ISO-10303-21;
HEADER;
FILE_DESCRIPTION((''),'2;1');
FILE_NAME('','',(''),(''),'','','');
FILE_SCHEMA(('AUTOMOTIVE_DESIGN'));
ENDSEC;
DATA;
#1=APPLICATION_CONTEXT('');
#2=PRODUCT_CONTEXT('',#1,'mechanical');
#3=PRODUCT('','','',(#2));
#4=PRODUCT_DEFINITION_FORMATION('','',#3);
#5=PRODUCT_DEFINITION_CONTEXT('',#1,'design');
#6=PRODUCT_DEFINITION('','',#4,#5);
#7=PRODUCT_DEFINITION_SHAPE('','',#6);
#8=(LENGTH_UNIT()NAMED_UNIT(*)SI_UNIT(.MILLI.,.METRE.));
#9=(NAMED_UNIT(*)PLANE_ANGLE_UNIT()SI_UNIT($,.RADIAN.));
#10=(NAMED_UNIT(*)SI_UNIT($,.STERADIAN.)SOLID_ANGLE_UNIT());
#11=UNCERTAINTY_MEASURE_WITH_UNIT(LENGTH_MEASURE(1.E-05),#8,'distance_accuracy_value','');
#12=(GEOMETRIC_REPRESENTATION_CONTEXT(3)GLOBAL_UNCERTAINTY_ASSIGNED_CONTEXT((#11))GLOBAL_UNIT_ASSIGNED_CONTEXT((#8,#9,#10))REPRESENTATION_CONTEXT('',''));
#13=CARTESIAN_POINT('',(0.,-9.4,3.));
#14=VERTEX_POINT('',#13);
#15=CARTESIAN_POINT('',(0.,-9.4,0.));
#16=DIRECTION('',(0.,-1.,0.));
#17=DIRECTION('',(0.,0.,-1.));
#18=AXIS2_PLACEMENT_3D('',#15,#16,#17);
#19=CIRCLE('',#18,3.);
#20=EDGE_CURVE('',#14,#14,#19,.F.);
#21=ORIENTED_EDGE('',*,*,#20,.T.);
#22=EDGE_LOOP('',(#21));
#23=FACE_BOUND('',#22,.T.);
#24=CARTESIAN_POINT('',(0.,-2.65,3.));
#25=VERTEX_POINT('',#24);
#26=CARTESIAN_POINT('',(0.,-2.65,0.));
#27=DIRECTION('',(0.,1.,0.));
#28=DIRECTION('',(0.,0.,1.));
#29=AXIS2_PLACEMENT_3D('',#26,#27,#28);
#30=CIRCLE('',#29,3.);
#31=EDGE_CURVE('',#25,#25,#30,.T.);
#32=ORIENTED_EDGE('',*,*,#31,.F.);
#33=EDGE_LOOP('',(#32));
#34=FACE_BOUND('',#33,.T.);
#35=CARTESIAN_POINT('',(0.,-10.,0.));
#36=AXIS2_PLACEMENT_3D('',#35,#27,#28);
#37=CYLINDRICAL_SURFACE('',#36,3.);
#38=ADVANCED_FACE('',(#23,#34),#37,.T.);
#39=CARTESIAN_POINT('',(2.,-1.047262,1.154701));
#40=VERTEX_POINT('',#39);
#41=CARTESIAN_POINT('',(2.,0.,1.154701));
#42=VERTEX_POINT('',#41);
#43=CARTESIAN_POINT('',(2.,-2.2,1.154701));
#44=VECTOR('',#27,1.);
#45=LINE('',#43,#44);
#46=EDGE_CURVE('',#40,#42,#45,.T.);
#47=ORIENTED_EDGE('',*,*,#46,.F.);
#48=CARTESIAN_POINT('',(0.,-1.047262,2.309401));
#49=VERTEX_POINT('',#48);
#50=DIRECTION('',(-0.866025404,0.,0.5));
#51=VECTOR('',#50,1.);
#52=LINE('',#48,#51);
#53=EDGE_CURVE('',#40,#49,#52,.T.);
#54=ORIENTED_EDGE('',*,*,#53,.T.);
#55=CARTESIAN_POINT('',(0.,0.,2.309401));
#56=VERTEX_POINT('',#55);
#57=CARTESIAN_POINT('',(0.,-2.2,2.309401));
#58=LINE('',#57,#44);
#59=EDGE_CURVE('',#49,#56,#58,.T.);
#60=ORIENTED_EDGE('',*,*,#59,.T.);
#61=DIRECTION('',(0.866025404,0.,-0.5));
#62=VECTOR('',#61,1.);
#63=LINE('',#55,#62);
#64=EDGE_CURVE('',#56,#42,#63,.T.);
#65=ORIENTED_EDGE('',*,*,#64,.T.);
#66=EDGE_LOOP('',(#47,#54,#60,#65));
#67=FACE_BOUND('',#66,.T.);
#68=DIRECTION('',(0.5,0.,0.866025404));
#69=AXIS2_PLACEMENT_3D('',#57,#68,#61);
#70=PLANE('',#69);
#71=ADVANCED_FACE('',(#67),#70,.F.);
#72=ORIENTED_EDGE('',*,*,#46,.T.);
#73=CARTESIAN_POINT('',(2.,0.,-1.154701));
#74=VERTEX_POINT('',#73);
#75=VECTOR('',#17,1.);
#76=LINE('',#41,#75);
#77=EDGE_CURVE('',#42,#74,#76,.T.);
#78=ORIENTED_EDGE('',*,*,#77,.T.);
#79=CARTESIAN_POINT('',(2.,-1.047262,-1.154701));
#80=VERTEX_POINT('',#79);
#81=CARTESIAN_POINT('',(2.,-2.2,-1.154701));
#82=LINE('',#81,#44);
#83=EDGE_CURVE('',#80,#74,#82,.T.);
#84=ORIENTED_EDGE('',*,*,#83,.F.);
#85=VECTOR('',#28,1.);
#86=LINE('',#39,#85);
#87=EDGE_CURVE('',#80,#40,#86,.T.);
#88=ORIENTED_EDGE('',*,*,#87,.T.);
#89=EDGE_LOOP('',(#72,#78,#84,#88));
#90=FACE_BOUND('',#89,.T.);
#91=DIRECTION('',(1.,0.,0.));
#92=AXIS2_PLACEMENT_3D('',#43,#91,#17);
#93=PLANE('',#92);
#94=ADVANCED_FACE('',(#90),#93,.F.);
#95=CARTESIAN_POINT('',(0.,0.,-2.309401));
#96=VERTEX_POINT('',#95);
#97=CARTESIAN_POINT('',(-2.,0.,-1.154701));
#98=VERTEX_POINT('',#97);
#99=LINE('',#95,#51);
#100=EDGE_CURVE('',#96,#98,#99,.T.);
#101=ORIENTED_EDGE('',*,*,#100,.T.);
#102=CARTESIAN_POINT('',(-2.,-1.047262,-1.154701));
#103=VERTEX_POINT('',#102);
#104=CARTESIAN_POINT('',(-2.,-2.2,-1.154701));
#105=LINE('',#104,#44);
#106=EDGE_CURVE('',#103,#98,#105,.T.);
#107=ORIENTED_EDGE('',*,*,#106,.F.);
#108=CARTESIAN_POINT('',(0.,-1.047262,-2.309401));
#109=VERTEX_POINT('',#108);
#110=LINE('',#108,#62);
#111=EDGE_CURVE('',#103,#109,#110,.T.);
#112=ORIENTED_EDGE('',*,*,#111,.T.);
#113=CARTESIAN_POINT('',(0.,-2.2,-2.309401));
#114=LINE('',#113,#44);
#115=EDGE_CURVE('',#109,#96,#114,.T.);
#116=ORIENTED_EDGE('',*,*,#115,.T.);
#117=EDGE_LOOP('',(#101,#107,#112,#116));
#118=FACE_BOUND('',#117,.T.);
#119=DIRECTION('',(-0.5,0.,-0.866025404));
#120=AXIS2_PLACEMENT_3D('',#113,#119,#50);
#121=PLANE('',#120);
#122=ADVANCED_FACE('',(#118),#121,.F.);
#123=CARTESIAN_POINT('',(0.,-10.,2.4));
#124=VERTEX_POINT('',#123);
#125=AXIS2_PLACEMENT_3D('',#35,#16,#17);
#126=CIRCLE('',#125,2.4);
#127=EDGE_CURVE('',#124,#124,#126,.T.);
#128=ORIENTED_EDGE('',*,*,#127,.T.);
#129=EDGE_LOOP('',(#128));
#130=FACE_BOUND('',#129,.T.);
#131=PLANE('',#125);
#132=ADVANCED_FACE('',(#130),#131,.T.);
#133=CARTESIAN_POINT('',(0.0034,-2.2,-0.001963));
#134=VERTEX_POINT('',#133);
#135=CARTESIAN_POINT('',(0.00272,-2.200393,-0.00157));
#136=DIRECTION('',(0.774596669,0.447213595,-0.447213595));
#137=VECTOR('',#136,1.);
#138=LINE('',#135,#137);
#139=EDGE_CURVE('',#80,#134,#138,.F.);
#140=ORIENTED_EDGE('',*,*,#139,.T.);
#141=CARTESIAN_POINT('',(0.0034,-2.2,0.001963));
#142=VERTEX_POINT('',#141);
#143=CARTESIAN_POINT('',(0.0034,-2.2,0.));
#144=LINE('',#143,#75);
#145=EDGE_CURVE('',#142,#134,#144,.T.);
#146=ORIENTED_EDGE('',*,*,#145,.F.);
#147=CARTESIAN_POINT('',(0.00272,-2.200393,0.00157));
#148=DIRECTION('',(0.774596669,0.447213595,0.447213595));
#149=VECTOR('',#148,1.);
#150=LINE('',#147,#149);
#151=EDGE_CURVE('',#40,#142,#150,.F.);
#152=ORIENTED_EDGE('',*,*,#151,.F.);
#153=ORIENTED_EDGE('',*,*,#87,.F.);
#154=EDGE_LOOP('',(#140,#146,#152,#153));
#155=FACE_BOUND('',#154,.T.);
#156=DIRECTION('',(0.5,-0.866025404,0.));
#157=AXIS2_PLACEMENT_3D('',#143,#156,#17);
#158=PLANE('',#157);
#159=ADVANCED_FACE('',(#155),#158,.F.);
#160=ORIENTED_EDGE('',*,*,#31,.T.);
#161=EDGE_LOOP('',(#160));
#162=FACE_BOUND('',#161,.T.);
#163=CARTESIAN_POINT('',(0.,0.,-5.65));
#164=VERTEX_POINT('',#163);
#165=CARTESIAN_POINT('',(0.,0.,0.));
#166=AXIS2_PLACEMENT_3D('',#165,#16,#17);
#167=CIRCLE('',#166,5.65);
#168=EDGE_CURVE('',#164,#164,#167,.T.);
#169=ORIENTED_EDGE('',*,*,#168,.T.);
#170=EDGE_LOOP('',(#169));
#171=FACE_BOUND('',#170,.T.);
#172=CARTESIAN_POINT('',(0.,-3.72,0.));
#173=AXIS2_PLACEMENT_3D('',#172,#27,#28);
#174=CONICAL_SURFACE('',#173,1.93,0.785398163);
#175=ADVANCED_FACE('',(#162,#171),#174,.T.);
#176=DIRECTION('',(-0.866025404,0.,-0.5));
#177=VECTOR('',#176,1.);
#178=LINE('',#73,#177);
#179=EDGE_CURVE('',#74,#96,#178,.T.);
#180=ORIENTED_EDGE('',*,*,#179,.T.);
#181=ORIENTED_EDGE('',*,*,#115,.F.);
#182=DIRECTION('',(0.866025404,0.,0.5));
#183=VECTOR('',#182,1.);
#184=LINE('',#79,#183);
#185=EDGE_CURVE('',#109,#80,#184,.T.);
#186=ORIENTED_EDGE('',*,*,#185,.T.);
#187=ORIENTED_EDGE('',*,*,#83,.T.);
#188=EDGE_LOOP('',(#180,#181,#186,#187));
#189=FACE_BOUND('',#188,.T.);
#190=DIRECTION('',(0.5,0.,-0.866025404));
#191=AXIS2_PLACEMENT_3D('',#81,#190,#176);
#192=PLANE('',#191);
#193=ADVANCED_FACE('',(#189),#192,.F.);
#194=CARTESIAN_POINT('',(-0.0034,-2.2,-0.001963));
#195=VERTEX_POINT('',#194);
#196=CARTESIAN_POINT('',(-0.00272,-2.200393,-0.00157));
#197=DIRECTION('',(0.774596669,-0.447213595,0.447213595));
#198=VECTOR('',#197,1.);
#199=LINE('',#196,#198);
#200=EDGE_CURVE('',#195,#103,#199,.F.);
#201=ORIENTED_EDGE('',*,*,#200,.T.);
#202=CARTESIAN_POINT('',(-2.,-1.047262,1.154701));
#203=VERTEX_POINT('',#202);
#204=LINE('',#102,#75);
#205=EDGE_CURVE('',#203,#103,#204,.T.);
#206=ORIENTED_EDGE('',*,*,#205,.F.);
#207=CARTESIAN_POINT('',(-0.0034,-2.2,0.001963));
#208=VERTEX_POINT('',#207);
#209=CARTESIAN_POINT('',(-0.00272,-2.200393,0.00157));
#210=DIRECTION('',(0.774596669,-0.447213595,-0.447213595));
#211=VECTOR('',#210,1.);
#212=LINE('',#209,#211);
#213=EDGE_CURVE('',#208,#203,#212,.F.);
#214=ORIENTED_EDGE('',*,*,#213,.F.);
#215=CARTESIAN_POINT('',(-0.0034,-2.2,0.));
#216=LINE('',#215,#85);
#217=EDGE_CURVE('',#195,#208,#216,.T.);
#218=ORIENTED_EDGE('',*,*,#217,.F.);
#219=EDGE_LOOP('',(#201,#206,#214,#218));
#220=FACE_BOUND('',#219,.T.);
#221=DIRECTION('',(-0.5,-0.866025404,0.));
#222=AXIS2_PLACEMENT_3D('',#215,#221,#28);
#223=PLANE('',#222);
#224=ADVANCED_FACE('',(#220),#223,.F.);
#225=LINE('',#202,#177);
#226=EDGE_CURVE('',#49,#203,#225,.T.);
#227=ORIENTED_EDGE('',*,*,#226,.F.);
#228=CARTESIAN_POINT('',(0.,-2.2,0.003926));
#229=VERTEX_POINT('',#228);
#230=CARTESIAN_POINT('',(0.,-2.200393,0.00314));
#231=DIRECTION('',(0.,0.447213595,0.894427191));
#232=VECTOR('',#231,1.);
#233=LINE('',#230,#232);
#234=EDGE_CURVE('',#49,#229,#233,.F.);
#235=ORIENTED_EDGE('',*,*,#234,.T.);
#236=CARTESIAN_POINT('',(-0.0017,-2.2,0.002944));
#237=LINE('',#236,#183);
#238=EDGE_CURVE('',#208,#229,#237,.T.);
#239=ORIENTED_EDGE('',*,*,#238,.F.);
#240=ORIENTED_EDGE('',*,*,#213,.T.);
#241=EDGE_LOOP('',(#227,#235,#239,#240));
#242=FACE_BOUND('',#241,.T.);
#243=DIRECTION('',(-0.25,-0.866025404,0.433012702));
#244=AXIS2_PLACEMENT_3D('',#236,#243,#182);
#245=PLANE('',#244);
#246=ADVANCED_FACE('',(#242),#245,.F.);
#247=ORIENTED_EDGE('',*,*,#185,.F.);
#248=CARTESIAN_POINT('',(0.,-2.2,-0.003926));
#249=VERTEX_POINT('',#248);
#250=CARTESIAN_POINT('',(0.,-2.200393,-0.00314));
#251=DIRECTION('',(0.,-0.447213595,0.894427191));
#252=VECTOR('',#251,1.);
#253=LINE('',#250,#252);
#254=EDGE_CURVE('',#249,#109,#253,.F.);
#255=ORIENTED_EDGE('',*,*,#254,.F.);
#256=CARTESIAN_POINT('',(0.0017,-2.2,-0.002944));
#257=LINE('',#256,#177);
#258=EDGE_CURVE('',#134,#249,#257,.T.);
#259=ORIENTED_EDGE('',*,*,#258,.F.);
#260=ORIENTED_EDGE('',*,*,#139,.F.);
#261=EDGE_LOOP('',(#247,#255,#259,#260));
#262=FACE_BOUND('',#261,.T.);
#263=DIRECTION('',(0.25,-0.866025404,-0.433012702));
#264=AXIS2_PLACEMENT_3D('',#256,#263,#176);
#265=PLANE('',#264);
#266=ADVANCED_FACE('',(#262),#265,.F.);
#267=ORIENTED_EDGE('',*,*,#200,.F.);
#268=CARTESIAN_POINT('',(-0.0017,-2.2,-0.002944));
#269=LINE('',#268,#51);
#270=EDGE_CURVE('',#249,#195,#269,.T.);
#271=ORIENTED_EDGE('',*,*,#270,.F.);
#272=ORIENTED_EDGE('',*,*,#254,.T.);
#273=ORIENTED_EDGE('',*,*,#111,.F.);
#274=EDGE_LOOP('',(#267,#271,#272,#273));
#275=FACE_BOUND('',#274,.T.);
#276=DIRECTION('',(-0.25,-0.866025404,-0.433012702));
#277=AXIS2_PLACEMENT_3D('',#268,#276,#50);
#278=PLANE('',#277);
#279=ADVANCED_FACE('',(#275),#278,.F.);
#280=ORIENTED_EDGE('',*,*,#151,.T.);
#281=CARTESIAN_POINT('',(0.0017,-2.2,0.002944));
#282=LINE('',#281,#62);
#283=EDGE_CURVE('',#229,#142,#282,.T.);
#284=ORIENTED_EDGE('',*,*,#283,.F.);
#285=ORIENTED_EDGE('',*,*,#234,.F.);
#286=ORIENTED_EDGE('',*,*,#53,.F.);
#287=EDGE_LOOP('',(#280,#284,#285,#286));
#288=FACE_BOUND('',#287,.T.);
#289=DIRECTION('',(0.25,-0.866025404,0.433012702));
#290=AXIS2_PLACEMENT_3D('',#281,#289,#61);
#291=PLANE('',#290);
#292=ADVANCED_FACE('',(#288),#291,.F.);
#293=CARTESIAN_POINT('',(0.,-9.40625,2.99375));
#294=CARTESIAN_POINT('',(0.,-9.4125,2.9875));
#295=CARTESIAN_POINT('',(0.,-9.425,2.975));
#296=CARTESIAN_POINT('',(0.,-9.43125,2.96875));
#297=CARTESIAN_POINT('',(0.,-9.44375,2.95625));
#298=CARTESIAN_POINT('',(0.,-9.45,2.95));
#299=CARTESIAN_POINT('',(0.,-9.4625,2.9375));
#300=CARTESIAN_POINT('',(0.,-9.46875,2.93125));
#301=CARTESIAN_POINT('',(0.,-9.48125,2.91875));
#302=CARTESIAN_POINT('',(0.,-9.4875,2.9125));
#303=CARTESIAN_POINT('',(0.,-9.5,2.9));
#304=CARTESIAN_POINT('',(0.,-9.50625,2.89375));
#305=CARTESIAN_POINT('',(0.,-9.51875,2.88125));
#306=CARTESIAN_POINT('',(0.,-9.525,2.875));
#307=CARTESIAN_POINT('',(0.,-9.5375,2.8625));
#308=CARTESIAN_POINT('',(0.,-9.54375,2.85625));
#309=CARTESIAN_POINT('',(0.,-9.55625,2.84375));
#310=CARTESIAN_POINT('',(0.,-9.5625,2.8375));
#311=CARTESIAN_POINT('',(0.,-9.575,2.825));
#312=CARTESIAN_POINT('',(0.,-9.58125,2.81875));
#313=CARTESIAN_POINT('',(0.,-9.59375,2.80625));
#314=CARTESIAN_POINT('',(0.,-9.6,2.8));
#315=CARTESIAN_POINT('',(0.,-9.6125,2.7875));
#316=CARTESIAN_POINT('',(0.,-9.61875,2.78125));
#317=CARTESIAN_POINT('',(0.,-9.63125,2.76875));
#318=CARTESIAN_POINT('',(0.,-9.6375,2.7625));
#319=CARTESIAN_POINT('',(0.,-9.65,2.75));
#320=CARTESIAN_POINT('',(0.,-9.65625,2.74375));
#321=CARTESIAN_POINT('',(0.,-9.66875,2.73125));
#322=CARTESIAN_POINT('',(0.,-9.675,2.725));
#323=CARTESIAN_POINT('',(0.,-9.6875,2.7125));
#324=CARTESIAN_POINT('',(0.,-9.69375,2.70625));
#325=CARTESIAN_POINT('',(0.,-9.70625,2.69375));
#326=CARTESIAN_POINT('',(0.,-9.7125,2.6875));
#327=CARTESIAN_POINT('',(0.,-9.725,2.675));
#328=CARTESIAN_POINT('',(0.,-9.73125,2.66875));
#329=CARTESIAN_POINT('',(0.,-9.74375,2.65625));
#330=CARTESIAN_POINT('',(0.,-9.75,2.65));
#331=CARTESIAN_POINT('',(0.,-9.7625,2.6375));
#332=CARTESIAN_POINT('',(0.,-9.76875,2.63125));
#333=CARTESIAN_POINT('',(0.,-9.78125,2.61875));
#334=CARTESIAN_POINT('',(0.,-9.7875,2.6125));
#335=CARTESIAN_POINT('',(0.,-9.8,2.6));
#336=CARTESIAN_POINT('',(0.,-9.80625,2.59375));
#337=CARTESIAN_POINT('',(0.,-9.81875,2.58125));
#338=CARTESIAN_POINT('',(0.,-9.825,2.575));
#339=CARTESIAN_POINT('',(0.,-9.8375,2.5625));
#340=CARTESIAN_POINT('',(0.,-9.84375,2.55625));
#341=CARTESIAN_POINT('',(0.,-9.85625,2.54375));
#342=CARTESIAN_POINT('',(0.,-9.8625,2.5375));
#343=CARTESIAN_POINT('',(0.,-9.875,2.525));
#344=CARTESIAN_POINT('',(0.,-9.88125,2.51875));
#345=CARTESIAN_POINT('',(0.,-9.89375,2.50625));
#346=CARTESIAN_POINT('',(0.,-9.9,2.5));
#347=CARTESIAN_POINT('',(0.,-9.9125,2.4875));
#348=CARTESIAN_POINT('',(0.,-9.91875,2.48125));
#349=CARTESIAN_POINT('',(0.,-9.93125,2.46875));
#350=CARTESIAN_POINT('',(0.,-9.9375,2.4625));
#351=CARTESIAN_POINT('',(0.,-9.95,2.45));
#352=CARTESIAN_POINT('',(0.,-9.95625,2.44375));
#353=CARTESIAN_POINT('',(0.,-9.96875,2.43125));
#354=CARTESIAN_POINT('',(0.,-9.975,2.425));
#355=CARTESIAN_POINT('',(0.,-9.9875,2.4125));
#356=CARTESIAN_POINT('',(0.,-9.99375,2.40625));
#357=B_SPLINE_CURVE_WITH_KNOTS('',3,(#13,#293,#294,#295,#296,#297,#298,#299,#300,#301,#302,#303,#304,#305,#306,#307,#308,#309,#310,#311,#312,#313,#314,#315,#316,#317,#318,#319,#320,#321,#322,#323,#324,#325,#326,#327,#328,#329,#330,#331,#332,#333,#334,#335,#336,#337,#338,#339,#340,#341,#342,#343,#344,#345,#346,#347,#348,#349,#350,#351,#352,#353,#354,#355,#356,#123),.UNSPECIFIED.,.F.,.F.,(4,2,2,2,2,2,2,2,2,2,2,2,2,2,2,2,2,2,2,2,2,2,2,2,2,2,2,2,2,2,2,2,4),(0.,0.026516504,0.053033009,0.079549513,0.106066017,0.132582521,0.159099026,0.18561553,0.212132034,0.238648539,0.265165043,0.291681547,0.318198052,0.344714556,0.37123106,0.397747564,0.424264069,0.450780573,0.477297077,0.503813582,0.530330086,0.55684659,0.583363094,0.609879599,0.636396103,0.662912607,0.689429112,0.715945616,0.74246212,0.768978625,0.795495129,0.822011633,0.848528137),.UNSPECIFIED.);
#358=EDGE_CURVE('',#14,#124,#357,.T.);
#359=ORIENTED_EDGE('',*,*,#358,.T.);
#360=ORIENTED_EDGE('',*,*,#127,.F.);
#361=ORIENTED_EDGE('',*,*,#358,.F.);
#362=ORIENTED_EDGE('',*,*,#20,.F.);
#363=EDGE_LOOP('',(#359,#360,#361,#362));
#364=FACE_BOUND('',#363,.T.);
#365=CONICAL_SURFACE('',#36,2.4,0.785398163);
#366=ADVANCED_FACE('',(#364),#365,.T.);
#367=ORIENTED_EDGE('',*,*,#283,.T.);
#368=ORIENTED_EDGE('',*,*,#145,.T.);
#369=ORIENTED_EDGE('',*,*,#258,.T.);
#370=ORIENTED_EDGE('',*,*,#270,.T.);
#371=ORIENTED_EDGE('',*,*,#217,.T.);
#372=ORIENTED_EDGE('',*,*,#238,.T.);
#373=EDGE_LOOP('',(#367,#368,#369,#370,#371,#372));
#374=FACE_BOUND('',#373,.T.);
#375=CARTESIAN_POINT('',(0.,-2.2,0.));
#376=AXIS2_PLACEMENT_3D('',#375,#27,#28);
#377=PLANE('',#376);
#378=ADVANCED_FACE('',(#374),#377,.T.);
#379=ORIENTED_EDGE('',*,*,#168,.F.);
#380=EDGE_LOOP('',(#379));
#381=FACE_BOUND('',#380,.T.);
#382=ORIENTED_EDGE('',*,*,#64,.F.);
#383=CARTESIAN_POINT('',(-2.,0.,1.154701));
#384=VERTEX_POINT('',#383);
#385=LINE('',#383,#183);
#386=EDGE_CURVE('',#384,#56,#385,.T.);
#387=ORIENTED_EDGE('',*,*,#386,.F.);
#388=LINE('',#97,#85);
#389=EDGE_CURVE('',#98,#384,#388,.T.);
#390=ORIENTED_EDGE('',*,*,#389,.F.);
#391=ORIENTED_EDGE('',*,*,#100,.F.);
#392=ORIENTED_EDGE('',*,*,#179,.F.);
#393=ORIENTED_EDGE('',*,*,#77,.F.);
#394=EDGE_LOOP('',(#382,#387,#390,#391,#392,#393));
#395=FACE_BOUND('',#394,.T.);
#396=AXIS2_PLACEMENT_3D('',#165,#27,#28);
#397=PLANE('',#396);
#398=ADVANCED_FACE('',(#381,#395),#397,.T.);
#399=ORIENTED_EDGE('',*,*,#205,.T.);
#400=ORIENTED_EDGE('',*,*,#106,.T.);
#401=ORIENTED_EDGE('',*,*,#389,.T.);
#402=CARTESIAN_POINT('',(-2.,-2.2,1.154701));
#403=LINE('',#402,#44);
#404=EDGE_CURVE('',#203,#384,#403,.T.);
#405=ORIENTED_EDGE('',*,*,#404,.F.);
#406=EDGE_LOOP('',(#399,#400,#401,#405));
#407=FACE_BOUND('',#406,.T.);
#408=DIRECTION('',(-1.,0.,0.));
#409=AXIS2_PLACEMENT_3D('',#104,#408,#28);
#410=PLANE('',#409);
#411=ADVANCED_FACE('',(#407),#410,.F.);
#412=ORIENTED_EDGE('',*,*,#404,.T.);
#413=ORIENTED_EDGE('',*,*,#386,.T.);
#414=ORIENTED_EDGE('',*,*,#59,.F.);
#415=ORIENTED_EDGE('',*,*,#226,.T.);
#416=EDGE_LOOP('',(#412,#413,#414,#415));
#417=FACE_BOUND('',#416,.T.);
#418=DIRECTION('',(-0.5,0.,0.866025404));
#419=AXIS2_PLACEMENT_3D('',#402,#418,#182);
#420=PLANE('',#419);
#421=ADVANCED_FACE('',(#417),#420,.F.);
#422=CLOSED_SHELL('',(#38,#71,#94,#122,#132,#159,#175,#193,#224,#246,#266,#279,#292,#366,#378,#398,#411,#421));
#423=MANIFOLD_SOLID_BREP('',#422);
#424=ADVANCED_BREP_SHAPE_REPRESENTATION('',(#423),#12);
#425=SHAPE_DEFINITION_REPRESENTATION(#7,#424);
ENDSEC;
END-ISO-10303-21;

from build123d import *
from OCP.BRepFilletAPI import BRepFilletAPI_MakeChamfer

# Parameters (mm, degrees)
SKETCH_4_R          = 3
EXTRUDE_2_DEPTH     = 10
CUT_EXTRUDE_1_DEPTH = 2.2
CHAMFER_3_SIZE      = 1.152737752
CHAMFER_3_SIZE2     = 1.996600355
CHAMFER_4_SIZE      = 0.6


with BuildPart() as part:
    # 草图2 → 旋转1 (revolve)
    with BuildSketch(Plane.XY):
        Polygon((0, -3.72), (0, 0), (5.65, 0), (1.93, -3.72), align=None)
    revolve(axis=Axis((0, -3.72, 0), (0, 1, 0)))

    # 草图4 → 凸台-拉伸2 (add)
    with BuildSketch(Plane.XZ):
        Circle(SKETCH_4_R)
    extrude(amount=EXTRUDE_2_DEPTH)

    # 草图3 → 切除-拉伸1 (cut)
    with BuildSketch(Plane(origin=(0, 0, 0), x_dir=(1, 0, 0), z_dir=(0, 1, 0))):
        Polygon((2, 1.154700538), (0, 2.309401077), (-2, 1.154700538), (-2, -1.154700538), (0, -2.309401077), (2, -1.154700538), align=None)
    extrude(amount=-CUT_EXTRUDE_1_DEPTH, mode=Mode.SUBTRACT)

    # 倒角3: one chamfer whose edges measure the first distance from different faces: ONE call of the kernel's chamfer builder (chamfer() names one face for all edges)
    chamfer_3_edges_1 = [part.edges().sort_by_distance(p)[0] for p in [
        (-1, -2.2, 1.732050808),
    ]]
    chamfer_3_side_1 = [part.faces().sort_by_distance(p)[0] for p in [
        (-1, -1.1, 1.732050808),
    ]]
    chamfer_3_edges_2 = [part.edges().sort_by_distance(p)[0] for p in [
        (-2, -2.2, 0),
    ]]
    chamfer_3_side_2 = [part.faces().sort_by_distance(p)[0] for p in [
        (-2, -1.1, 0),
    ]]
    chamfer_3_edges_3 = [part.edges().sort_by_distance(p)[0] for p in [
        (-1, -2.2, -1.732050808),
    ]]
    chamfer_3_side_3 = [part.faces().sort_by_distance(p)[0] for p in [
        (-1, -1.1, -1.732050808),
    ]]
    chamfer_3_edges_4 = [part.edges().sort_by_distance(p)[0] for p in [
        (1, -2.2, -1.732050808),
    ]]
    chamfer_3_side_4 = [part.faces().sort_by_distance(p)[0] for p in [
        (1, -1.1, -1.732050808),
    ]]
    chamfer_3_edges_5 = [part.edges().sort_by_distance(p)[0] for p in [
        (2, -2.2, 0),
    ]]
    chamfer_3_side_5 = [part.faces().sort_by_distance(p)[0] for p in [
        (2, -1.1, 0),
    ]]
    chamfer_3_edges_6 = [part.edges().sort_by_distance(p)[0] for p in [
        (1, -2.2, 1.732050808),
    ]]
    chamfer_3_side_6 = [part.faces().sort_by_distance(p)[0] for p in [
        (1, -1.1, 1.732050808),
    ]]
    chamfer_3 = BRepFilletAPI_MakeChamfer(part.part.solid().wrapped)
    for e in chamfer_3_edges_1:
        chamfer_3.Add(CHAMFER_3_SIZE, CHAMFER_3_SIZE2, e.wrapped, chamfer_3_side_1[0].wrapped)  # the first distance lies on this face
    for e in chamfer_3_edges_2:
        chamfer_3.Add(CHAMFER_3_SIZE, CHAMFER_3_SIZE2, e.wrapped, chamfer_3_side_2[0].wrapped)  # the first distance lies on this face
    for e in chamfer_3_edges_3:
        chamfer_3.Add(CHAMFER_3_SIZE, CHAMFER_3_SIZE2, e.wrapped, chamfer_3_side_3[0].wrapped)  # the first distance lies on this face
    for e in chamfer_3_edges_4:
        chamfer_3.Add(CHAMFER_3_SIZE, CHAMFER_3_SIZE2, e.wrapped, chamfer_3_side_4[0].wrapped)  # the first distance lies on this face
    for e in chamfer_3_edges_5:
        chamfer_3.Add(CHAMFER_3_SIZE, CHAMFER_3_SIZE2, e.wrapped, chamfer_3_side_5[0].wrapped)  # the first distance lies on this face
    for e in chamfer_3_edges_6:
        chamfer_3.Add(CHAMFER_3_SIZE, CHAMFER_3_SIZE2, e.wrapped, chamfer_3_side_6[0].wrapped)  # the first distance lies on this face
    add(Compound.cast(chamfer_3.Shape()), mode=Mode.REPLACE)

    # 倒角4
    chamfer_4_edges = [part.edges().sort_by_distance(p)[0] for p in [
        (-3, -10, 0),
    ]]
    chamfer(chamfer_4_edges, length=CHAMFER_4_SIZE)


solid = part.part
